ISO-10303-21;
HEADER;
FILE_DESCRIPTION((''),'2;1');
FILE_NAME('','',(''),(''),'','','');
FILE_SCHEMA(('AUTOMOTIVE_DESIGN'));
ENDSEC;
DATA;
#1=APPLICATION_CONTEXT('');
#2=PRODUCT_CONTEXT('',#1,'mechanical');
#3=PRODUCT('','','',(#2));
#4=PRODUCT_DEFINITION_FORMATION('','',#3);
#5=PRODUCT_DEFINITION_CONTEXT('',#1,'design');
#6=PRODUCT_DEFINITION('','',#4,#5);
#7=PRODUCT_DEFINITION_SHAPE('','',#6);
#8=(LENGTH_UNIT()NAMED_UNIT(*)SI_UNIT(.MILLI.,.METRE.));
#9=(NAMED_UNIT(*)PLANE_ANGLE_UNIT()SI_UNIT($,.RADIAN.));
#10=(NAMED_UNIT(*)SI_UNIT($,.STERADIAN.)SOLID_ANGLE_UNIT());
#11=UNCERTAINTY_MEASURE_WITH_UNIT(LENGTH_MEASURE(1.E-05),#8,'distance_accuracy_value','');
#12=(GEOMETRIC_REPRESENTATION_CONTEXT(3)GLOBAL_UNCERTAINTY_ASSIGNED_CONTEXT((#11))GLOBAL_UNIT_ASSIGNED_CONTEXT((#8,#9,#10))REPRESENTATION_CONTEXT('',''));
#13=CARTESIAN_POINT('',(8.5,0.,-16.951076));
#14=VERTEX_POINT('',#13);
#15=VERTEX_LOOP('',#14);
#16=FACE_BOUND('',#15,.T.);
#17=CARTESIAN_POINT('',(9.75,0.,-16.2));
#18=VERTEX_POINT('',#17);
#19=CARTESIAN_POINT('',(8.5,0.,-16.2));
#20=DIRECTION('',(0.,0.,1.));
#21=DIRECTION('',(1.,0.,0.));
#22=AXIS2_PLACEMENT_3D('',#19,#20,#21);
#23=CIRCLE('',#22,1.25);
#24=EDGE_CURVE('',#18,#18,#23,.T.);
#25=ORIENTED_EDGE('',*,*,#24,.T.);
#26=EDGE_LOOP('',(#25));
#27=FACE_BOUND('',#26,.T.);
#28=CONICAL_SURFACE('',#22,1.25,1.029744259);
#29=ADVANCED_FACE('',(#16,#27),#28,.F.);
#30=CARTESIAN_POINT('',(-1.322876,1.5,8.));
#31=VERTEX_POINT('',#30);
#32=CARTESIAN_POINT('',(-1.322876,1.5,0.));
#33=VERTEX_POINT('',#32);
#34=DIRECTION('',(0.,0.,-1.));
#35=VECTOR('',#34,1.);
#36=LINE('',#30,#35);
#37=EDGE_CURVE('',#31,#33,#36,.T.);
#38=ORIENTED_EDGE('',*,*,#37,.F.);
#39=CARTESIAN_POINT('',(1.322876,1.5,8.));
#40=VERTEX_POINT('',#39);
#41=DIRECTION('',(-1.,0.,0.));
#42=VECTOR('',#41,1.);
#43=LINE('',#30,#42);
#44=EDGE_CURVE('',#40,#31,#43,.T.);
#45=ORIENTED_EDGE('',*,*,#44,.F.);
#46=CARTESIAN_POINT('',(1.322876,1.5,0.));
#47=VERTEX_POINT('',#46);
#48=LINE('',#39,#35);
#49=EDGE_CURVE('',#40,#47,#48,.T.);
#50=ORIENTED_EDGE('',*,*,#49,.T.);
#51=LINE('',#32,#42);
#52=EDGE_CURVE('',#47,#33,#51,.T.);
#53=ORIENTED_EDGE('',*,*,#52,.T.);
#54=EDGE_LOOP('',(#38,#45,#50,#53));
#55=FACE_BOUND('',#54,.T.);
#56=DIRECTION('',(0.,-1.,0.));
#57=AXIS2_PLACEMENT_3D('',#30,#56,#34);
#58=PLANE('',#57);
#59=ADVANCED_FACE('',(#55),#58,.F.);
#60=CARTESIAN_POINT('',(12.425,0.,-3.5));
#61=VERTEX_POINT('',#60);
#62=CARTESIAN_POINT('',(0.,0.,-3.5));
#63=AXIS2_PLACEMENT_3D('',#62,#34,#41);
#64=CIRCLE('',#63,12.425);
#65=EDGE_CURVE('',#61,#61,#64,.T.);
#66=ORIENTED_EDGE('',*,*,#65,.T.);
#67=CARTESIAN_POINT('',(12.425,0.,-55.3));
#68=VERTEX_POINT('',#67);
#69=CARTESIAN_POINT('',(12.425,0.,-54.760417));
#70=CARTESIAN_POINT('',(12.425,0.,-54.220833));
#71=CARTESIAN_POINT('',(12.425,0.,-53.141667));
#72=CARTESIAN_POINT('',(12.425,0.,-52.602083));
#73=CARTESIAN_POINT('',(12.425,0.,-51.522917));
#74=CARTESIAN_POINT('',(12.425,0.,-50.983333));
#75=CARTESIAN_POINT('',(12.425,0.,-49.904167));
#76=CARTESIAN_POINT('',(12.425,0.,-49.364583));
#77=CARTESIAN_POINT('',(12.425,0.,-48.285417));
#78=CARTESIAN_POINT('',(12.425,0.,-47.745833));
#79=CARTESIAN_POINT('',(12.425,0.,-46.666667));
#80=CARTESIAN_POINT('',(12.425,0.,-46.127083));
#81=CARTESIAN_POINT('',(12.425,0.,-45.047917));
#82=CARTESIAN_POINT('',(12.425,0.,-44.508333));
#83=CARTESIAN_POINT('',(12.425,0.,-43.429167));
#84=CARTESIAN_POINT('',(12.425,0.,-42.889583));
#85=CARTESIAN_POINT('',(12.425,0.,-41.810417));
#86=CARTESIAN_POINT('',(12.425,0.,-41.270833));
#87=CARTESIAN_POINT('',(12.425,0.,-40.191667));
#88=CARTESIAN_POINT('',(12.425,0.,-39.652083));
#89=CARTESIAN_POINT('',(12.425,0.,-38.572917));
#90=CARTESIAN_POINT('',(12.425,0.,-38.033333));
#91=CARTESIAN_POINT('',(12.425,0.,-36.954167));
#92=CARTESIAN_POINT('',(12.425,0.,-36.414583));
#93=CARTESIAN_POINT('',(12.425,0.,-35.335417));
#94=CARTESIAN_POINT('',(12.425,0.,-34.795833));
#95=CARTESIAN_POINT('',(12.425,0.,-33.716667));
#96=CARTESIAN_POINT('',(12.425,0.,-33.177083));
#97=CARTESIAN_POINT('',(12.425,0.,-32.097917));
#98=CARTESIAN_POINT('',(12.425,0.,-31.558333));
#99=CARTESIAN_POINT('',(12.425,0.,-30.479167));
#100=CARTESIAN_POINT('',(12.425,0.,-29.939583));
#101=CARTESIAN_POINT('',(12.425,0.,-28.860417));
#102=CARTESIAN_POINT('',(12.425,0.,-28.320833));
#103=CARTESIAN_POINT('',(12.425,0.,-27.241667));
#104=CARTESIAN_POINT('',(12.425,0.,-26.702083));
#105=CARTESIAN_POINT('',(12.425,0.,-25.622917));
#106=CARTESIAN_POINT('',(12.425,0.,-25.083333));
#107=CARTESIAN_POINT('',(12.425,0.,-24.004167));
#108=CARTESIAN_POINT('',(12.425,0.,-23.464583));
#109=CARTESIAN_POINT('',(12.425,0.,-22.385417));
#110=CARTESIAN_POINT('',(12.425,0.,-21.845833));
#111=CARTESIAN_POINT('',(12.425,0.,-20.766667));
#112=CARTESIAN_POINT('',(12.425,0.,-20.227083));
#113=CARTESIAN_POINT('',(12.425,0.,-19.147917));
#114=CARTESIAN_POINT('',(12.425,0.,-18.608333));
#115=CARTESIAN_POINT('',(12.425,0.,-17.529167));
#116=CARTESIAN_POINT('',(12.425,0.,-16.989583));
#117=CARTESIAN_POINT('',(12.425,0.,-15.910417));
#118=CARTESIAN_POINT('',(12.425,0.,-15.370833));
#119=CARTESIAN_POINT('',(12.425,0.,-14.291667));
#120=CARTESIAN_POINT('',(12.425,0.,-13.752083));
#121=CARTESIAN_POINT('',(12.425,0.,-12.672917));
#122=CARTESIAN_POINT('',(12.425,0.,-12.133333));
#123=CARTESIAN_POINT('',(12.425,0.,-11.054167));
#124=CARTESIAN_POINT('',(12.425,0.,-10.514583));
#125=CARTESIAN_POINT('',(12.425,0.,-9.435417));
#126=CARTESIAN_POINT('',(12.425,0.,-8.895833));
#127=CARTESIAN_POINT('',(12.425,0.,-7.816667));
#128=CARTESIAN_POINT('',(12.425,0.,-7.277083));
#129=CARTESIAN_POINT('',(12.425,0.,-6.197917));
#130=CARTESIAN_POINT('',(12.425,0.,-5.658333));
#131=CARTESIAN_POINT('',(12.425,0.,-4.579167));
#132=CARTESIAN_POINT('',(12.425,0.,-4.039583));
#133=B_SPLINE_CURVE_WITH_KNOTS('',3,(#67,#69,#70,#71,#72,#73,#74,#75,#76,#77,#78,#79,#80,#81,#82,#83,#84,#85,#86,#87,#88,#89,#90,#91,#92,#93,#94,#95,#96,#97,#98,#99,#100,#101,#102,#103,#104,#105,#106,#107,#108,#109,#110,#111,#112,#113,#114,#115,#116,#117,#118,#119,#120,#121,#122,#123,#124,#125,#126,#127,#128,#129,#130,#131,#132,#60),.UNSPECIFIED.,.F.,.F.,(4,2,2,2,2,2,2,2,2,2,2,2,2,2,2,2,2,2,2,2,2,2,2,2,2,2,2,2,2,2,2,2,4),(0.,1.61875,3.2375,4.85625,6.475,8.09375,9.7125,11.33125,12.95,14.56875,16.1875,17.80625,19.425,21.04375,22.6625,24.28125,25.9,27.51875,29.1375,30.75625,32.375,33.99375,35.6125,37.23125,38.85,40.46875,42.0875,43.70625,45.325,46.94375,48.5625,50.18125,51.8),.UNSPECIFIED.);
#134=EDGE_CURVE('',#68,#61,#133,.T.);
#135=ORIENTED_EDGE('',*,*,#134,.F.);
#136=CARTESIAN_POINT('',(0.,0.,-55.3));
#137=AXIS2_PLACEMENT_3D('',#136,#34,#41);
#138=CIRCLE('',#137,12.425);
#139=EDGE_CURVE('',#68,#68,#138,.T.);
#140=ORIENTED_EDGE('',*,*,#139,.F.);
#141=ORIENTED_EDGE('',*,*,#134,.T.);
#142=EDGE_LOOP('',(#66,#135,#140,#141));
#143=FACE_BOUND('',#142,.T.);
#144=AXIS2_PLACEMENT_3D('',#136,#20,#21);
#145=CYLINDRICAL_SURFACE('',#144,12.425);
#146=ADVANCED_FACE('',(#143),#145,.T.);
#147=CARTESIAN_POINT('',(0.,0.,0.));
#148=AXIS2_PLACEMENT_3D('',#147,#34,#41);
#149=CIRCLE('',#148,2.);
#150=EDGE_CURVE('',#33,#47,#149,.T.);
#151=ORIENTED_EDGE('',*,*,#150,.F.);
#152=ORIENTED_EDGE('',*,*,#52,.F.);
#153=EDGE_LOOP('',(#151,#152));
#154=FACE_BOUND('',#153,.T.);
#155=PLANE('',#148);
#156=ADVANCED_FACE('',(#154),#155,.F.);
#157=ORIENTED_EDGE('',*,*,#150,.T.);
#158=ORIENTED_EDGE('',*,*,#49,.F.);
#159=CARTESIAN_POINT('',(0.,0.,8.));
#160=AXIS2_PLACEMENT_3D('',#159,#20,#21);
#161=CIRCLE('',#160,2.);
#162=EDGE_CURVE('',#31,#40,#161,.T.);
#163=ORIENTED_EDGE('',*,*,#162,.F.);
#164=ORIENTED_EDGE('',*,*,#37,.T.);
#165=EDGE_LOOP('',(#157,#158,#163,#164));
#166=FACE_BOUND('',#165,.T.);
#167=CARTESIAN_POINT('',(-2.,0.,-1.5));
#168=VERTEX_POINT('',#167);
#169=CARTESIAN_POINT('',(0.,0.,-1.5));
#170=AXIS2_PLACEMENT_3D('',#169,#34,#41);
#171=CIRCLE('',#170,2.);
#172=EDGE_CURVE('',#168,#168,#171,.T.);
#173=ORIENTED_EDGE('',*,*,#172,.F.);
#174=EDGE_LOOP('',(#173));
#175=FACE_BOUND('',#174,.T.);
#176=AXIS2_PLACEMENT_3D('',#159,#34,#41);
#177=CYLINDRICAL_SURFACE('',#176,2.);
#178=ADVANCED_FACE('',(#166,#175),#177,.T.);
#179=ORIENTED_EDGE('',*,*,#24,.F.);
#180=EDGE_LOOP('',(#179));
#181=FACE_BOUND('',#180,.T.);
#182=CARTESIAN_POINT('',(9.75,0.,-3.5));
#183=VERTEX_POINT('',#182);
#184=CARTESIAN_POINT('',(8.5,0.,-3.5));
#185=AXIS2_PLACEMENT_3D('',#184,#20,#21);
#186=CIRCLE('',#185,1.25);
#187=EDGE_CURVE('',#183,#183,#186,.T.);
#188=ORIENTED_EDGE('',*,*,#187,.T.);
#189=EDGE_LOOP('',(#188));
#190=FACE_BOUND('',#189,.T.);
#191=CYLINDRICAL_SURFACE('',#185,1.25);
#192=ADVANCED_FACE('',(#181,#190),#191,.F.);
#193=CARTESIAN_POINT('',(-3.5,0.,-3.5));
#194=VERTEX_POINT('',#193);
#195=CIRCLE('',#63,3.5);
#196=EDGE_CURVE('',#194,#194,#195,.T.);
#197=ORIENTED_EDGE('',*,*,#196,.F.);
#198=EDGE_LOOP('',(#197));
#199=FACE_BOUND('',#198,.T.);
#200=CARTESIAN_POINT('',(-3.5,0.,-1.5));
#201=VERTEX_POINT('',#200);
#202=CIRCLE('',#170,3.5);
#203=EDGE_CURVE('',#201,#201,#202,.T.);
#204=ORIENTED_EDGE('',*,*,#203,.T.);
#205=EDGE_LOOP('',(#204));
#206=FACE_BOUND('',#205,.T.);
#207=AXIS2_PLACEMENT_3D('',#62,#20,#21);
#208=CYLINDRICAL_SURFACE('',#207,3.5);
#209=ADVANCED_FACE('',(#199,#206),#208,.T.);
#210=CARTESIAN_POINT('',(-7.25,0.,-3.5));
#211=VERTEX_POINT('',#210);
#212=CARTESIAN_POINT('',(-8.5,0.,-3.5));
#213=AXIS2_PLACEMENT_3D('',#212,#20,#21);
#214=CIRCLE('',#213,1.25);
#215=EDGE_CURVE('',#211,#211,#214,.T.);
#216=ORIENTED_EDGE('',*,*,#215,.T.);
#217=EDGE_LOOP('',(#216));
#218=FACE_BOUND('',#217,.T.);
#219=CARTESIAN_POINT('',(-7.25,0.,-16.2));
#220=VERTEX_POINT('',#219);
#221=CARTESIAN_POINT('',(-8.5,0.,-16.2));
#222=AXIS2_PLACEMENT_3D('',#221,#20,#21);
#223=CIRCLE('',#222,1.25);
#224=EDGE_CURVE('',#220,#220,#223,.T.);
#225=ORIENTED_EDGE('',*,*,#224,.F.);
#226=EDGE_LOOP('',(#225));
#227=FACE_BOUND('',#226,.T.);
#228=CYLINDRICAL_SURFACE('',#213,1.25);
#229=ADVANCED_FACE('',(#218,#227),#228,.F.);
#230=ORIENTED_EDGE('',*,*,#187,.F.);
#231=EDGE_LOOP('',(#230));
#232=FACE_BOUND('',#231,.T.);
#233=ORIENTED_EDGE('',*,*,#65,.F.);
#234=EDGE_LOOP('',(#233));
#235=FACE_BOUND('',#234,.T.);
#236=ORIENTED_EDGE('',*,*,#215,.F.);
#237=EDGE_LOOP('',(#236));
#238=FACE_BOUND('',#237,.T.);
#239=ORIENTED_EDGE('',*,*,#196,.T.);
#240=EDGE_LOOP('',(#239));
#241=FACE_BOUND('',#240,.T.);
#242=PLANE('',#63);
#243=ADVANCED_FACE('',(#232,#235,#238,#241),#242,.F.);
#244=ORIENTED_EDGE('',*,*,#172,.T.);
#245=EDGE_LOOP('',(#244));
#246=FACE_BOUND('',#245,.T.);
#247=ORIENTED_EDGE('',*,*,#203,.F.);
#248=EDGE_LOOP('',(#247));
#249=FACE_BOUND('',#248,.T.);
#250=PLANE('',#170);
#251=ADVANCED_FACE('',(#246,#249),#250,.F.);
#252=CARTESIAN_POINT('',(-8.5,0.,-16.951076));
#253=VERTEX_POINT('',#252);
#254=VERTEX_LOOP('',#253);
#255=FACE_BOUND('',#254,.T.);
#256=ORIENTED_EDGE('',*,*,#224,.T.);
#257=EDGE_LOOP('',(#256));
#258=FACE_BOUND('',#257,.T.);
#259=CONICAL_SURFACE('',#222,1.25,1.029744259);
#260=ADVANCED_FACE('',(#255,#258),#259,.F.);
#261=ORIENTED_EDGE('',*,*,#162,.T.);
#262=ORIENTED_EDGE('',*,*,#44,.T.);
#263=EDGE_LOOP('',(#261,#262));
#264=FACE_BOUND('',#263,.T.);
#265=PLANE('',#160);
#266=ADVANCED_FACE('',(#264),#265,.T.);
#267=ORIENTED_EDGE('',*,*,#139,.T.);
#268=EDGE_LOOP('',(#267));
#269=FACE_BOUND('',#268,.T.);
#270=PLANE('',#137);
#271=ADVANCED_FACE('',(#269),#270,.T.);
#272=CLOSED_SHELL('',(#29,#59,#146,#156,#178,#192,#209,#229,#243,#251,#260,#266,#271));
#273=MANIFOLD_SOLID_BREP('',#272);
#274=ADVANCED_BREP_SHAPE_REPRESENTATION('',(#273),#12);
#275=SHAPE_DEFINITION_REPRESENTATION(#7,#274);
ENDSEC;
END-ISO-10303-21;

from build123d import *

# Parameters (mm, degrees)
BOSS_EXTRUDE1_DEPTH   = 8
BOSS_EXTRUDE2_START   = 1.5
SKETCH2_R             = 2
BOSS_EXTRUDE2_DEPTH   = 1.5
SKETCH3_R             = 3.5
BOSS_EXTRUDE3_DEPTH   = 2
SKETCH4_R             = 12.425
BOSS_EXTRUDE4_DEPTH   = 51.8
M3_TAPPED_HOLE1_D     = 2.5
M3_TAPPED_HOLE1_DEPTH = 12.7
M3_TAPPED_HOLE1_TIP   = 0.751075774


with BuildPart() as part:
    # Sketch1 → Boss-Extrude1 (new body)
    with BuildSketch(Plane.XY):
        with BuildLine():
            Line((-1.322875656, 1.5), (1.322875656, 1.5))
            ThreePointArc((1.322875656, 1.5), (0, -2), (-1.322875656, 1.5))
        make_face()
    extrude(amount=BOSS_EXTRUDE1_DEPTH)

    # Sketch2 → Boss-Extrude2 (add)
    with BuildSketch(Plane(origin=(0, 0, 0), x_dir=(-1, 0, 0), z_dir=(0, 0, -1)).offset(BOSS_EXTRUDE2_START)):
        Circle(SKETCH2_R)
    extrude(amount=-BOSS_EXTRUDE2_DEPTH)

    # Sketch3 → Boss-Extrude3 (add)
    with BuildSketch(Plane(origin=(0, 0, -1.5), x_dir=(-1, 0, 0), z_dir=(0, 0, -1))):
        Circle(SKETCH3_R)
    extrude(amount=BOSS_EXTRUDE3_DEPTH)

    # Sketch4 → Boss-Extrude4 (add)
    with BuildSketch(Plane(origin=(0, 0, -3.5), x_dir=(-1, 0, 0), z_dir=(0, 0, -1))):
        with Locations(Location((0, 0, 0), (0, 0, 180))):
            Circle(SKETCH4_R)
    extrude(amount=BOSS_EXTRUDE4_DEPTH)

    # M3 Tapped Hole1
    with Locations(Plane.XY.offset(-3.5)):
        with Locations((8.5, 0), (-8.5, 0)):
            Hole(M3_TAPPED_HOLE1_D / 2, depth=M3_TAPPED_HOLE1_DEPTH)
            with Locations((0, 0, -(M3_TAPPED_HOLE1_DEPTH + M3_TAPPED_HOLE1_TIP / 2))):  # 118° drill point
                Cone(0, M3_TAPPED_HOLE1_D / 2, M3_TAPPED_HOLE1_TIP, mode=Mode.SUBTRACT)


solid = part.part
